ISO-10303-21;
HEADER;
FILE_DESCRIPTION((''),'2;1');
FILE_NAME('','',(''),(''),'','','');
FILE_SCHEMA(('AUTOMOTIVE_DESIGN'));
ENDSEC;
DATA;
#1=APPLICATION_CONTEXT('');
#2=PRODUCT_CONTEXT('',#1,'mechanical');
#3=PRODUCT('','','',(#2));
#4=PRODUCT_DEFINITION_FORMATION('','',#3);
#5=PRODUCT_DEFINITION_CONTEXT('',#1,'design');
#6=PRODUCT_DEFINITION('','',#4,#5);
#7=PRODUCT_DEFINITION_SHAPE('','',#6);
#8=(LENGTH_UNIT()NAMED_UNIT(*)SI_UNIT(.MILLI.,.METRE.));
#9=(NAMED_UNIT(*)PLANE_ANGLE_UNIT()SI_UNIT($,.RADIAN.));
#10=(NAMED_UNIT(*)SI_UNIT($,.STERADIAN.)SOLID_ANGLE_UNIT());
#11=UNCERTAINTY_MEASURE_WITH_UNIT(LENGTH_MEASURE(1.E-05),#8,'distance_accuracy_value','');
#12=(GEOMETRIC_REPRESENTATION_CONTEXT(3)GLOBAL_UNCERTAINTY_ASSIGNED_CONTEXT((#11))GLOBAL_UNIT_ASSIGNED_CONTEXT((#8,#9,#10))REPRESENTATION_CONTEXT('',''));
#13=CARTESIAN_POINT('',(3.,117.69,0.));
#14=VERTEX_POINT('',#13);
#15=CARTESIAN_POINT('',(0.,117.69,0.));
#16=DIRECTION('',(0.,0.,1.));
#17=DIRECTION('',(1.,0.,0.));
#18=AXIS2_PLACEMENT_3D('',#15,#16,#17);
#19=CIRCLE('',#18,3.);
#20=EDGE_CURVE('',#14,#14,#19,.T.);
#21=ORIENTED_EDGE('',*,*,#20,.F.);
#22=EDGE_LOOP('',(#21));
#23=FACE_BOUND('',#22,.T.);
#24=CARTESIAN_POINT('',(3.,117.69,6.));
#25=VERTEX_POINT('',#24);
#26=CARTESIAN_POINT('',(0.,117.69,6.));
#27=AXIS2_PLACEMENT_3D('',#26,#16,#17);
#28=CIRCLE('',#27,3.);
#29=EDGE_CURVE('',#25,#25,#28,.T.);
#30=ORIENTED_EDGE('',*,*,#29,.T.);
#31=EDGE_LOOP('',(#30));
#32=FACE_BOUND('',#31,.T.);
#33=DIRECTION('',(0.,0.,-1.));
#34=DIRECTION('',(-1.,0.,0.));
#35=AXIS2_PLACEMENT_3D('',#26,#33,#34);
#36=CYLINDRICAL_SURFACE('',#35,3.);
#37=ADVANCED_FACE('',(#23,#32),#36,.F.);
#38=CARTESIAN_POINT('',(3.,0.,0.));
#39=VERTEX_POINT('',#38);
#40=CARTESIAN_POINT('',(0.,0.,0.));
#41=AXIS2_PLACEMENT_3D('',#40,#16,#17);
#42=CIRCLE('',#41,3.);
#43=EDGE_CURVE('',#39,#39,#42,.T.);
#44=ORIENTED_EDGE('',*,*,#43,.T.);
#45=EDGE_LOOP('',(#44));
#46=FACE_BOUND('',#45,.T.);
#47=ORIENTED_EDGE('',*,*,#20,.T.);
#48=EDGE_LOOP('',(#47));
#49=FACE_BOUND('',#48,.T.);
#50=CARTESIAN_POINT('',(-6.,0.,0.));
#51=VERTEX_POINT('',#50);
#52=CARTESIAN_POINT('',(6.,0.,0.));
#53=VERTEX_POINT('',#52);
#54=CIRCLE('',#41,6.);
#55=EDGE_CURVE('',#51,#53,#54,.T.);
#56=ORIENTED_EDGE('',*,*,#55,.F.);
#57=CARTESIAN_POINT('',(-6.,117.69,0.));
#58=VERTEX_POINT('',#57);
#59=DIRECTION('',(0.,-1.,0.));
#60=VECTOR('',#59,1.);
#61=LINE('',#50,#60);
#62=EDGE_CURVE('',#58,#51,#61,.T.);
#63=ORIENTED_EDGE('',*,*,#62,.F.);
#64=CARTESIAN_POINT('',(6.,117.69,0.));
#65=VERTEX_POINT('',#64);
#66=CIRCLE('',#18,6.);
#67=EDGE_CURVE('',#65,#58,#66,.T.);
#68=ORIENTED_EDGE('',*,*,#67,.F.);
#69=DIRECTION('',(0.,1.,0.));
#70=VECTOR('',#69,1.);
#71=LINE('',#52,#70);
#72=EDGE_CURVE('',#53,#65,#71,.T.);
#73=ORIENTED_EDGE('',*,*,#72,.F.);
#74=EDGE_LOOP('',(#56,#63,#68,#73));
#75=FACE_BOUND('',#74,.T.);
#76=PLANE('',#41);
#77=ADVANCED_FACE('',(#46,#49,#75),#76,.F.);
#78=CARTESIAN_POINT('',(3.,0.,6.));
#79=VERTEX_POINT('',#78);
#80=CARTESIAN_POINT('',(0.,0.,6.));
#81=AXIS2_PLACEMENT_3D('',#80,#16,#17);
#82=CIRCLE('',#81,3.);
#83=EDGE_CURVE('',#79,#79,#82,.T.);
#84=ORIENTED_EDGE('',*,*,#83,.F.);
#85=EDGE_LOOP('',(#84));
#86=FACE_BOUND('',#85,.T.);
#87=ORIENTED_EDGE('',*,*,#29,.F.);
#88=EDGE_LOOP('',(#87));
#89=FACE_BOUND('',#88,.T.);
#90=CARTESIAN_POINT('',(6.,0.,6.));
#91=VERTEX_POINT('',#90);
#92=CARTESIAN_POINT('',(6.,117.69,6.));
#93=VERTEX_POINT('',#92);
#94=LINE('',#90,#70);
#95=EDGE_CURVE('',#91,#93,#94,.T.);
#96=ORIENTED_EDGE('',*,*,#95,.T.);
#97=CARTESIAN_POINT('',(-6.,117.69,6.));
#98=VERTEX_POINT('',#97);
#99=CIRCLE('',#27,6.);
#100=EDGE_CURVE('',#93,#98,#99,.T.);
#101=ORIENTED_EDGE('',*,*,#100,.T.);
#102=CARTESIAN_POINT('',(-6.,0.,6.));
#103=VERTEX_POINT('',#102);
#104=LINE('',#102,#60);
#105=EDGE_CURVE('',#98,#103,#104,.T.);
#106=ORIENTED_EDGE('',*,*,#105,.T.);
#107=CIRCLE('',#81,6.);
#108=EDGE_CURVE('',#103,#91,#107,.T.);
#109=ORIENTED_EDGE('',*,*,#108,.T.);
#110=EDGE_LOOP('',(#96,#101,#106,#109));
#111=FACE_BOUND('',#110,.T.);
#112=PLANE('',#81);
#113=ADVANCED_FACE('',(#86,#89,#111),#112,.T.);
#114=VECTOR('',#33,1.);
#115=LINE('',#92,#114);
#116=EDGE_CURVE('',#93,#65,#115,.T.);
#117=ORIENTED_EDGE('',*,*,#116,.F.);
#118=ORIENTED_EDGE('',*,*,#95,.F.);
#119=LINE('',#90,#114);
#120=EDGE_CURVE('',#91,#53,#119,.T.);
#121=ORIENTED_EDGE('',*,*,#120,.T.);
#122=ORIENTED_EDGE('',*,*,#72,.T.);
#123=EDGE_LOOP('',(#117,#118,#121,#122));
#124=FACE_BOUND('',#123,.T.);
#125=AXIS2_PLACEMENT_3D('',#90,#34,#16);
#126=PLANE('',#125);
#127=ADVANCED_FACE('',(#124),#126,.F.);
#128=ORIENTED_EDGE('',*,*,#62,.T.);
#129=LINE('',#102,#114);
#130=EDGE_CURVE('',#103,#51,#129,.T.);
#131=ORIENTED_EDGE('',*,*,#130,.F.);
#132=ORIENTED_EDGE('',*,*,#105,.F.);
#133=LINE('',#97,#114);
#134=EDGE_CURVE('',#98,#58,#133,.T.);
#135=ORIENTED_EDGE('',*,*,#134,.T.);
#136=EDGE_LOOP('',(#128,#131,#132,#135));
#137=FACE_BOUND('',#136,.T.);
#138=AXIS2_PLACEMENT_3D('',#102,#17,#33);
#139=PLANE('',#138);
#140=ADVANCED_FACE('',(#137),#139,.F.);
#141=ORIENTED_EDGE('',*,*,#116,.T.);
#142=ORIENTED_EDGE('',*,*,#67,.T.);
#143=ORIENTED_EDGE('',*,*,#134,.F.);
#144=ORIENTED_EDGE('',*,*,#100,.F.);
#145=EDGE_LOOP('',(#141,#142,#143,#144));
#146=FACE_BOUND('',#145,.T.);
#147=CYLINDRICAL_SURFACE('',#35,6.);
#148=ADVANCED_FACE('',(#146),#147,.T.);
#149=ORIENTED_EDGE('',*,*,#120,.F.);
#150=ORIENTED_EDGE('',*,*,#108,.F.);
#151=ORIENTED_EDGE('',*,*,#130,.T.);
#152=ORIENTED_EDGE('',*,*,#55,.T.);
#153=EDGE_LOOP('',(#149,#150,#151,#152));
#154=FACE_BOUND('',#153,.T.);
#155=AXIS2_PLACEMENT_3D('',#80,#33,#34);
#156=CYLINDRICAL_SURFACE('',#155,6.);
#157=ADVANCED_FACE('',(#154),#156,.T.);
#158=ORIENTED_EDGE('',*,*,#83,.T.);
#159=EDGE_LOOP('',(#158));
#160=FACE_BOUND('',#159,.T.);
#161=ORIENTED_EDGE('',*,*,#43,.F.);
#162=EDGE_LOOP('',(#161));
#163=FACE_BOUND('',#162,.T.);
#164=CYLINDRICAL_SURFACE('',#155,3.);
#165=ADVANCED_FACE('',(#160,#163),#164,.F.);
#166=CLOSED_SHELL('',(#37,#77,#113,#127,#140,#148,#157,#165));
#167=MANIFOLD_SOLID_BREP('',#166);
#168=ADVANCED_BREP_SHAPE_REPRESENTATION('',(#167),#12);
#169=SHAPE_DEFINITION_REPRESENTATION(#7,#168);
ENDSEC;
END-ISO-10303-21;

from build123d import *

# Parameters (mm, degrees)
CROQUIS1_R              = 3
SALIENTE_EXTRUIR1_DEPTH = 6


with BuildPart() as part:
    # Croquis1 → Saliente-Extruir1 (new body)
    with BuildSketch(Plane.XY):
        with BuildLine():
            Line((-6, 0), (-6, 117.69))
            ThreePointArc((-6, 117.69), (0, 123.69), (6, 117.69))
            Line((6, 117.69), (6, 0))
            ThreePointArc((6, 0), (0, -6), (-6, 0))
        make_face()
        Circle(CROQUIS1_R, mode=Mode.SUBTRACT)
        with Locations((0, 117.69)):
            Circle(CROQUIS1_R, mode=Mode.SUBTRACT)
    extrude(amount=SALIENTE_EXTRUIR1_DEPTH)


solid = part.part
